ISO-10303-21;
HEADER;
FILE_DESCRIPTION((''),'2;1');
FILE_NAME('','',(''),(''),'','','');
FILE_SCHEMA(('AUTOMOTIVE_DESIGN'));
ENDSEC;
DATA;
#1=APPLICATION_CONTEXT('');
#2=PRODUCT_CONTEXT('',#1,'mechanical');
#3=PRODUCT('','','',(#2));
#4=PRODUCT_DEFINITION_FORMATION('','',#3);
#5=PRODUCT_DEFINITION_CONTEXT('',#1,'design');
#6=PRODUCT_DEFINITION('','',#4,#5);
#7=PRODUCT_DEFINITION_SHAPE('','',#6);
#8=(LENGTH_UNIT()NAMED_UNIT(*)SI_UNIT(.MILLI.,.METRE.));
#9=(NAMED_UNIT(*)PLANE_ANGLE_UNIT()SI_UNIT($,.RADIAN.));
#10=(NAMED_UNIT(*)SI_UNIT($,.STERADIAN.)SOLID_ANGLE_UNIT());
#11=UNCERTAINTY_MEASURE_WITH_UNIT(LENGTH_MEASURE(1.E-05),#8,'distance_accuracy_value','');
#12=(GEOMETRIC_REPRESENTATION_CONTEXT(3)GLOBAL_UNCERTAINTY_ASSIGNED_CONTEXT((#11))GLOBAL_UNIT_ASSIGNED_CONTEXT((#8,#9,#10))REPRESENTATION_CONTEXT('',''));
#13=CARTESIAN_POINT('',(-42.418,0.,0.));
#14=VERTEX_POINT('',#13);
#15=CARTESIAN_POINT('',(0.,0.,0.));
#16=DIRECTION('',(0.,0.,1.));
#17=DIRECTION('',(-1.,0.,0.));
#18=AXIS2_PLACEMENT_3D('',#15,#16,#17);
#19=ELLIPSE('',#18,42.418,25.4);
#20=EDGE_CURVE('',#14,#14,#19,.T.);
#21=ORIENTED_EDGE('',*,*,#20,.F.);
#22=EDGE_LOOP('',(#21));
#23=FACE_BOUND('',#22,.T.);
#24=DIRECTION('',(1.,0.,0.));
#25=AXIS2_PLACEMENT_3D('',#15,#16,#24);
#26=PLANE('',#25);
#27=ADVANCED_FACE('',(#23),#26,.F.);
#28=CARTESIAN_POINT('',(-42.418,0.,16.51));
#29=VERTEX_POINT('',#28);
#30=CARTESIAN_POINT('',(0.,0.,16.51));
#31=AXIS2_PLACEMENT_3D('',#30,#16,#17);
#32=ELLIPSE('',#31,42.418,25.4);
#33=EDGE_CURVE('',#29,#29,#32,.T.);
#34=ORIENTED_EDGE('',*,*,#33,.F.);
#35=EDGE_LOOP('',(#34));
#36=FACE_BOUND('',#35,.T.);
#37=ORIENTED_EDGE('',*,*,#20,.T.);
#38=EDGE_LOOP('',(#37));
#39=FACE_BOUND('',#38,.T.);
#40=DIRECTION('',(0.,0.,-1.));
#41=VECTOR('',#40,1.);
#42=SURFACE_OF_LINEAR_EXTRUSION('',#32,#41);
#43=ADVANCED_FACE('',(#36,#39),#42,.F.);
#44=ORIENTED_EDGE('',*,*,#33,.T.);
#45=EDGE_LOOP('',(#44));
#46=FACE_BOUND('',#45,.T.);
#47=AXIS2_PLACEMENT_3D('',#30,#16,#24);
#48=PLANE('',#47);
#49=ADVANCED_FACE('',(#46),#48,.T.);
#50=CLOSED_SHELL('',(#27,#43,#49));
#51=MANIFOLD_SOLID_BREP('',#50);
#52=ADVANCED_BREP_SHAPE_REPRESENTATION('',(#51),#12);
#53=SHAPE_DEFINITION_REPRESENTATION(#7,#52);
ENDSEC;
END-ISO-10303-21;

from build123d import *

# Parameters (mm, degrees)
ESQUISSE1_RX       = 42.418
ESQUISSE1_RY       = 25.4
BOSS_EXTRU_1_DEPTH = 16.51


with BuildPart() as part:
    # Esquisse1 → Boss.-Extru.1 (new body)
    with BuildSketch(Plane.XY):
        with Locations(Location((0, 0), (0, 0, 180))):
            Ellipse(ESQUISSE1_RX, ESQUISSE1_RY)
    extrude(amount=BOSS_EXTRU_1_DEPTH)


solid = part.part
